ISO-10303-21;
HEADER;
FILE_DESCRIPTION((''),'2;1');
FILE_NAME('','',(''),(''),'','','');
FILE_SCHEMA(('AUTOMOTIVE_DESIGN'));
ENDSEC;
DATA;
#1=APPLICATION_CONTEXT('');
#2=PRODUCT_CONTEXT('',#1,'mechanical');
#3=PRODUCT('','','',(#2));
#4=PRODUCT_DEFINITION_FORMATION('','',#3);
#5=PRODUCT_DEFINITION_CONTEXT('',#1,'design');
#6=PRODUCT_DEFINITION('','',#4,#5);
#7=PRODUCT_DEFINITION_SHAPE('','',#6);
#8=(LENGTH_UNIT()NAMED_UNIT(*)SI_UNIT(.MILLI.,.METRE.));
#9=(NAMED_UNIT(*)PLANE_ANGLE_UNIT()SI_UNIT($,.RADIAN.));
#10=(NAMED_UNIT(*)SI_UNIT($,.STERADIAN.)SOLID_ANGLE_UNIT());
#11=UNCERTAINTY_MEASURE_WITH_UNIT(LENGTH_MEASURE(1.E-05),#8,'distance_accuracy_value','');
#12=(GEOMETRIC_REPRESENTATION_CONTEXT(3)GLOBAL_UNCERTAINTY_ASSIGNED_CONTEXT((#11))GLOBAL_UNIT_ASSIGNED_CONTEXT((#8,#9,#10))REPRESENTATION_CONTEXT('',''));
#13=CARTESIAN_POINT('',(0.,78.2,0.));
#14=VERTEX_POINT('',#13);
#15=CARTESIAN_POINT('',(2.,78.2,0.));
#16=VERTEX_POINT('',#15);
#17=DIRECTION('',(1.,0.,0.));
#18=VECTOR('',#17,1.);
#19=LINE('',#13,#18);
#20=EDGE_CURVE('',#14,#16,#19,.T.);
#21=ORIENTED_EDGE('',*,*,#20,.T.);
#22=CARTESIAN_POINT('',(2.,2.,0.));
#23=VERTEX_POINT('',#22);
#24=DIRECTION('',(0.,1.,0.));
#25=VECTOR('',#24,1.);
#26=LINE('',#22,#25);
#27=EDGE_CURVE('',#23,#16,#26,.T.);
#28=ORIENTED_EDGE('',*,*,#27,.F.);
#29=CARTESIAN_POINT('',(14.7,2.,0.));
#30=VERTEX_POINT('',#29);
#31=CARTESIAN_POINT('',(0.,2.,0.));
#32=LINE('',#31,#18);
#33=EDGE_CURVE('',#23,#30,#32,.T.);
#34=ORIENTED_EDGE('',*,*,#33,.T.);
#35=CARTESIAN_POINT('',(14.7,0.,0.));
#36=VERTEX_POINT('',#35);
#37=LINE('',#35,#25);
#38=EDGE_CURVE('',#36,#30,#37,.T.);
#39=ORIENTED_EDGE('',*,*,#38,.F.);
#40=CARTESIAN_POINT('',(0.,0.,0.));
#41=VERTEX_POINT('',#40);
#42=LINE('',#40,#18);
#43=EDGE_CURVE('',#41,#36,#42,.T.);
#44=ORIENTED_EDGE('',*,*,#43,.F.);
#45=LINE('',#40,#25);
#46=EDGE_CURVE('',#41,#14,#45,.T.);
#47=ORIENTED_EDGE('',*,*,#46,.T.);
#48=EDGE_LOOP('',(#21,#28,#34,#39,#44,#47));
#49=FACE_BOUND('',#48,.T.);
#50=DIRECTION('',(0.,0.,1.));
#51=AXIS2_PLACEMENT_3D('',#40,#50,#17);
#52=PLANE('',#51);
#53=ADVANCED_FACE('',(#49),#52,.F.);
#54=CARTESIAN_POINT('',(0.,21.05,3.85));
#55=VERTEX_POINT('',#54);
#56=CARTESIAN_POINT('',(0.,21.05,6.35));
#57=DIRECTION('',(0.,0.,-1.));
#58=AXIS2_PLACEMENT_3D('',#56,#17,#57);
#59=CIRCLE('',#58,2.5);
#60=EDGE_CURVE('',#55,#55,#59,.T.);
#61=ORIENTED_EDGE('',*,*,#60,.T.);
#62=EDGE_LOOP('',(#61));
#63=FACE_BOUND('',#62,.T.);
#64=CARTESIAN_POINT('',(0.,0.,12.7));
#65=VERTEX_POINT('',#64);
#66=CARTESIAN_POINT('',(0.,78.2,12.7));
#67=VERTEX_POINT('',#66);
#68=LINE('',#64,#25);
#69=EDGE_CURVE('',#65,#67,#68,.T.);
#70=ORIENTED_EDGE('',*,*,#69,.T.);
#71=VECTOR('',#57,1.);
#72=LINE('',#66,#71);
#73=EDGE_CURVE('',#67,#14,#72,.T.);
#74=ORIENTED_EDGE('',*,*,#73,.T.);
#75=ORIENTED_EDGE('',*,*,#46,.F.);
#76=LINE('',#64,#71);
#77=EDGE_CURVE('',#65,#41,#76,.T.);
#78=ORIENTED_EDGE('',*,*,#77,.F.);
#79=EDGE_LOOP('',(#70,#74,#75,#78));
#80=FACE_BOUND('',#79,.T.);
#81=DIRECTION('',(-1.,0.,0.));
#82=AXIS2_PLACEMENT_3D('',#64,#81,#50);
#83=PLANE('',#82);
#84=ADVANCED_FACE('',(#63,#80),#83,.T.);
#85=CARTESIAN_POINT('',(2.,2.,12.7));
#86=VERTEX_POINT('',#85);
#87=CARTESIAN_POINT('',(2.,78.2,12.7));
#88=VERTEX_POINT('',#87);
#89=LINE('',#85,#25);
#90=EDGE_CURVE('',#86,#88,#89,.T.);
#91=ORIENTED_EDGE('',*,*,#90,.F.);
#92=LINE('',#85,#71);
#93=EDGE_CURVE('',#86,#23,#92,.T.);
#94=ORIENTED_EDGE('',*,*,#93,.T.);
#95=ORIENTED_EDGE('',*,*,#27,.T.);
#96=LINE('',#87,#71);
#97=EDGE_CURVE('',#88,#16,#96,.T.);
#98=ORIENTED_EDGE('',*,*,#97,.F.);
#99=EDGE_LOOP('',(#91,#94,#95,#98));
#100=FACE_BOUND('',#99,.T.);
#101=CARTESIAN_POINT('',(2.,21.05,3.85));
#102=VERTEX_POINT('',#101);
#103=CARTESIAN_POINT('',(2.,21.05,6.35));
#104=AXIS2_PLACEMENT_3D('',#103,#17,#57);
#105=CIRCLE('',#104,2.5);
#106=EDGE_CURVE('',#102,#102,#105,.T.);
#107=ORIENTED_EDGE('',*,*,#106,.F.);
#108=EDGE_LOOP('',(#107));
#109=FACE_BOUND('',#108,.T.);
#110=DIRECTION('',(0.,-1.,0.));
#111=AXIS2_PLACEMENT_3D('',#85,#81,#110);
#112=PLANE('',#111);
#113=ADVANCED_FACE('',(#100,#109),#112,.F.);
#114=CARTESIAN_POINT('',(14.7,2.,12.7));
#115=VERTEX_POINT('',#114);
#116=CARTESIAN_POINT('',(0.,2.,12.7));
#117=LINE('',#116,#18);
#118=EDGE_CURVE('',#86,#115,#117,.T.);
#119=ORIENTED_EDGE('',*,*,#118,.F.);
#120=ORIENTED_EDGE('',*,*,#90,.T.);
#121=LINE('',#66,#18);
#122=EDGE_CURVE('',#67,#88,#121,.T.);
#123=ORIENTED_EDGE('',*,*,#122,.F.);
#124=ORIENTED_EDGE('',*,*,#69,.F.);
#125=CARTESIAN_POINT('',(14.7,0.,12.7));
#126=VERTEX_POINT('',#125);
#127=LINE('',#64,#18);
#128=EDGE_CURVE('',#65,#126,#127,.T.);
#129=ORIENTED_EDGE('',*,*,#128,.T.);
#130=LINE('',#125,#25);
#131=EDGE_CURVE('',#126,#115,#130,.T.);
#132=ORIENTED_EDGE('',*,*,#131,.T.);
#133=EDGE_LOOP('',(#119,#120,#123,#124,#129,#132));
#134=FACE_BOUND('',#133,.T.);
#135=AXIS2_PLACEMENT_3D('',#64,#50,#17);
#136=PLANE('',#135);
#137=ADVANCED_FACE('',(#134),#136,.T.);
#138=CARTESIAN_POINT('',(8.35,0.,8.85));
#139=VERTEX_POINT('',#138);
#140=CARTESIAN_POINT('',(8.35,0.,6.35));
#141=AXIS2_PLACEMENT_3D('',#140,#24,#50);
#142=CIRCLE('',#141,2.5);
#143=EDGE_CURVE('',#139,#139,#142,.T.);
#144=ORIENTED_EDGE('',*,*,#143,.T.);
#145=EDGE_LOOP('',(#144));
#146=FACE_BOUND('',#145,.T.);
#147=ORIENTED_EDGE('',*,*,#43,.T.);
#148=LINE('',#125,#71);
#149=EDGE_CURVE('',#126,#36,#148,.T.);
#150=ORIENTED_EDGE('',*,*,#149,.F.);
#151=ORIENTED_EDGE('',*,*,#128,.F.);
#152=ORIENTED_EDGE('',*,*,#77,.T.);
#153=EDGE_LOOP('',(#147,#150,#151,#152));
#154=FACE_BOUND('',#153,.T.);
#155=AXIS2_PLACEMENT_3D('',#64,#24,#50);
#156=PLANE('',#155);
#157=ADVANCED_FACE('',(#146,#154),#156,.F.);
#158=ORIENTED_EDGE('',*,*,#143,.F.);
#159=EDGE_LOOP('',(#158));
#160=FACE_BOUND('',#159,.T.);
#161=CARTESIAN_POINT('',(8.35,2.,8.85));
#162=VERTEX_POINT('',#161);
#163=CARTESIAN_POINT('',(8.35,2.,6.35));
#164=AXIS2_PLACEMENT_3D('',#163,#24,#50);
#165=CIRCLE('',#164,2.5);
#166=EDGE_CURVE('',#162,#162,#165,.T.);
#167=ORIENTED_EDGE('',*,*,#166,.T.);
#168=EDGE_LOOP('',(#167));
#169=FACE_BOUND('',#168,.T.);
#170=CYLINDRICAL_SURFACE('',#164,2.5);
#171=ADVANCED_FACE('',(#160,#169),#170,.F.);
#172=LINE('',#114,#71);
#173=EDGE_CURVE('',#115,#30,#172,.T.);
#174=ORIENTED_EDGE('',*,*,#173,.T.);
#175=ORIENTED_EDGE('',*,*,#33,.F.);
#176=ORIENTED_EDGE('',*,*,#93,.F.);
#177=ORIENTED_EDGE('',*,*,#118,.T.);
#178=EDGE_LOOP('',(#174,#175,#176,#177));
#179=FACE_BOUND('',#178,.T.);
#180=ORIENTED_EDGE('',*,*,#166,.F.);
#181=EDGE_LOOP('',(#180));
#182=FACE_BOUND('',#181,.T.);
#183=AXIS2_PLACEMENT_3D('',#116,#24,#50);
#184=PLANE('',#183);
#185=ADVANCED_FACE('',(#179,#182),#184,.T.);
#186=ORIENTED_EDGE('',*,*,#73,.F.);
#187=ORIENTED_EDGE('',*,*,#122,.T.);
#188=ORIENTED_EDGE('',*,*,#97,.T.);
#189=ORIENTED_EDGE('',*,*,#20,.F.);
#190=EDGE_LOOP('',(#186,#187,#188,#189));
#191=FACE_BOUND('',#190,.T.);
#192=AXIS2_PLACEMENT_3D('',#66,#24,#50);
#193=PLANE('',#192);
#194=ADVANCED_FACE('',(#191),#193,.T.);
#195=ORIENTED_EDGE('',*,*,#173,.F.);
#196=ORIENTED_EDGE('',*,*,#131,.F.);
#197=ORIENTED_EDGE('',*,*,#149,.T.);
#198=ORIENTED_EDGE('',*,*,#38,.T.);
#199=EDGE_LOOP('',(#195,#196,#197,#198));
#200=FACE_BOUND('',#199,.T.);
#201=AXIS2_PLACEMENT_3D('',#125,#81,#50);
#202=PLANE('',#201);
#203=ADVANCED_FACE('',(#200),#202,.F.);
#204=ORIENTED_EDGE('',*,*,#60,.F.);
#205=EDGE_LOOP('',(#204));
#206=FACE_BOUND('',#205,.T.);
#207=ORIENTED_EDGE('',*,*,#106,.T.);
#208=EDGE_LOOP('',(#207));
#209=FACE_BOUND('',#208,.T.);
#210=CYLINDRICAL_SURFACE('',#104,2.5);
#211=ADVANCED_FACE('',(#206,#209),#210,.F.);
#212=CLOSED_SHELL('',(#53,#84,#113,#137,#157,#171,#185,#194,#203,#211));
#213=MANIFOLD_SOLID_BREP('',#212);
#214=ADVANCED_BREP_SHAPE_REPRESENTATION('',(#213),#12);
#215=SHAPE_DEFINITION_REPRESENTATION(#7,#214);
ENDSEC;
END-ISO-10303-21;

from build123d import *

# Parameters (mm, degrees)
SKETCH1_W             = 14.7
SKETCH1_H             = 2
SKETCH1_W_2           = 2
SKETCH1_H_2           = 76.2
BOSS_EXTRUDE1_DEPTH   = 12.7
F_5_0MM_DOWEL_HOLE1_D = 5
F_5_0MM_DOWEL_HOLE2_D = 5


with BuildPart() as part:
    # Sketch1 → Boss-Extrude1 (new body)
    with BuildSketch(Plane.XY):
        with Locations((7.35, 1)):
            Rectangle(SKETCH1_W, SKETCH1_H)
        with Locations((1, 40.1)):
            Rectangle(SKETCH1_W_2, SKETCH1_H_2)
    extrude(amount=BOSS_EXTRUDE1_DEPTH)

    # Ø5.0mm Dowel Hole1 (through all)
    with Locations(Plane(origin=(2, 0, 0), x_dir=(0, 0, -1), z_dir=(1, 0, 0))):
        with Locations((-6.35, 21.05)):
            Hole(F_5_0MM_DOWEL_HOLE1_D / 2)

    # Ø5.0mm Dowel Hole2 (through all)
    with Locations(Plane(origin=(0, 2, 0), x_dir=(1, 0, 0), z_dir=(0, 1, 0))):
        with Locations((8.35, -6.35)):
            Hole(F_5_0MM_DOWEL_HOLE2_D / 2)


solid = part.part
